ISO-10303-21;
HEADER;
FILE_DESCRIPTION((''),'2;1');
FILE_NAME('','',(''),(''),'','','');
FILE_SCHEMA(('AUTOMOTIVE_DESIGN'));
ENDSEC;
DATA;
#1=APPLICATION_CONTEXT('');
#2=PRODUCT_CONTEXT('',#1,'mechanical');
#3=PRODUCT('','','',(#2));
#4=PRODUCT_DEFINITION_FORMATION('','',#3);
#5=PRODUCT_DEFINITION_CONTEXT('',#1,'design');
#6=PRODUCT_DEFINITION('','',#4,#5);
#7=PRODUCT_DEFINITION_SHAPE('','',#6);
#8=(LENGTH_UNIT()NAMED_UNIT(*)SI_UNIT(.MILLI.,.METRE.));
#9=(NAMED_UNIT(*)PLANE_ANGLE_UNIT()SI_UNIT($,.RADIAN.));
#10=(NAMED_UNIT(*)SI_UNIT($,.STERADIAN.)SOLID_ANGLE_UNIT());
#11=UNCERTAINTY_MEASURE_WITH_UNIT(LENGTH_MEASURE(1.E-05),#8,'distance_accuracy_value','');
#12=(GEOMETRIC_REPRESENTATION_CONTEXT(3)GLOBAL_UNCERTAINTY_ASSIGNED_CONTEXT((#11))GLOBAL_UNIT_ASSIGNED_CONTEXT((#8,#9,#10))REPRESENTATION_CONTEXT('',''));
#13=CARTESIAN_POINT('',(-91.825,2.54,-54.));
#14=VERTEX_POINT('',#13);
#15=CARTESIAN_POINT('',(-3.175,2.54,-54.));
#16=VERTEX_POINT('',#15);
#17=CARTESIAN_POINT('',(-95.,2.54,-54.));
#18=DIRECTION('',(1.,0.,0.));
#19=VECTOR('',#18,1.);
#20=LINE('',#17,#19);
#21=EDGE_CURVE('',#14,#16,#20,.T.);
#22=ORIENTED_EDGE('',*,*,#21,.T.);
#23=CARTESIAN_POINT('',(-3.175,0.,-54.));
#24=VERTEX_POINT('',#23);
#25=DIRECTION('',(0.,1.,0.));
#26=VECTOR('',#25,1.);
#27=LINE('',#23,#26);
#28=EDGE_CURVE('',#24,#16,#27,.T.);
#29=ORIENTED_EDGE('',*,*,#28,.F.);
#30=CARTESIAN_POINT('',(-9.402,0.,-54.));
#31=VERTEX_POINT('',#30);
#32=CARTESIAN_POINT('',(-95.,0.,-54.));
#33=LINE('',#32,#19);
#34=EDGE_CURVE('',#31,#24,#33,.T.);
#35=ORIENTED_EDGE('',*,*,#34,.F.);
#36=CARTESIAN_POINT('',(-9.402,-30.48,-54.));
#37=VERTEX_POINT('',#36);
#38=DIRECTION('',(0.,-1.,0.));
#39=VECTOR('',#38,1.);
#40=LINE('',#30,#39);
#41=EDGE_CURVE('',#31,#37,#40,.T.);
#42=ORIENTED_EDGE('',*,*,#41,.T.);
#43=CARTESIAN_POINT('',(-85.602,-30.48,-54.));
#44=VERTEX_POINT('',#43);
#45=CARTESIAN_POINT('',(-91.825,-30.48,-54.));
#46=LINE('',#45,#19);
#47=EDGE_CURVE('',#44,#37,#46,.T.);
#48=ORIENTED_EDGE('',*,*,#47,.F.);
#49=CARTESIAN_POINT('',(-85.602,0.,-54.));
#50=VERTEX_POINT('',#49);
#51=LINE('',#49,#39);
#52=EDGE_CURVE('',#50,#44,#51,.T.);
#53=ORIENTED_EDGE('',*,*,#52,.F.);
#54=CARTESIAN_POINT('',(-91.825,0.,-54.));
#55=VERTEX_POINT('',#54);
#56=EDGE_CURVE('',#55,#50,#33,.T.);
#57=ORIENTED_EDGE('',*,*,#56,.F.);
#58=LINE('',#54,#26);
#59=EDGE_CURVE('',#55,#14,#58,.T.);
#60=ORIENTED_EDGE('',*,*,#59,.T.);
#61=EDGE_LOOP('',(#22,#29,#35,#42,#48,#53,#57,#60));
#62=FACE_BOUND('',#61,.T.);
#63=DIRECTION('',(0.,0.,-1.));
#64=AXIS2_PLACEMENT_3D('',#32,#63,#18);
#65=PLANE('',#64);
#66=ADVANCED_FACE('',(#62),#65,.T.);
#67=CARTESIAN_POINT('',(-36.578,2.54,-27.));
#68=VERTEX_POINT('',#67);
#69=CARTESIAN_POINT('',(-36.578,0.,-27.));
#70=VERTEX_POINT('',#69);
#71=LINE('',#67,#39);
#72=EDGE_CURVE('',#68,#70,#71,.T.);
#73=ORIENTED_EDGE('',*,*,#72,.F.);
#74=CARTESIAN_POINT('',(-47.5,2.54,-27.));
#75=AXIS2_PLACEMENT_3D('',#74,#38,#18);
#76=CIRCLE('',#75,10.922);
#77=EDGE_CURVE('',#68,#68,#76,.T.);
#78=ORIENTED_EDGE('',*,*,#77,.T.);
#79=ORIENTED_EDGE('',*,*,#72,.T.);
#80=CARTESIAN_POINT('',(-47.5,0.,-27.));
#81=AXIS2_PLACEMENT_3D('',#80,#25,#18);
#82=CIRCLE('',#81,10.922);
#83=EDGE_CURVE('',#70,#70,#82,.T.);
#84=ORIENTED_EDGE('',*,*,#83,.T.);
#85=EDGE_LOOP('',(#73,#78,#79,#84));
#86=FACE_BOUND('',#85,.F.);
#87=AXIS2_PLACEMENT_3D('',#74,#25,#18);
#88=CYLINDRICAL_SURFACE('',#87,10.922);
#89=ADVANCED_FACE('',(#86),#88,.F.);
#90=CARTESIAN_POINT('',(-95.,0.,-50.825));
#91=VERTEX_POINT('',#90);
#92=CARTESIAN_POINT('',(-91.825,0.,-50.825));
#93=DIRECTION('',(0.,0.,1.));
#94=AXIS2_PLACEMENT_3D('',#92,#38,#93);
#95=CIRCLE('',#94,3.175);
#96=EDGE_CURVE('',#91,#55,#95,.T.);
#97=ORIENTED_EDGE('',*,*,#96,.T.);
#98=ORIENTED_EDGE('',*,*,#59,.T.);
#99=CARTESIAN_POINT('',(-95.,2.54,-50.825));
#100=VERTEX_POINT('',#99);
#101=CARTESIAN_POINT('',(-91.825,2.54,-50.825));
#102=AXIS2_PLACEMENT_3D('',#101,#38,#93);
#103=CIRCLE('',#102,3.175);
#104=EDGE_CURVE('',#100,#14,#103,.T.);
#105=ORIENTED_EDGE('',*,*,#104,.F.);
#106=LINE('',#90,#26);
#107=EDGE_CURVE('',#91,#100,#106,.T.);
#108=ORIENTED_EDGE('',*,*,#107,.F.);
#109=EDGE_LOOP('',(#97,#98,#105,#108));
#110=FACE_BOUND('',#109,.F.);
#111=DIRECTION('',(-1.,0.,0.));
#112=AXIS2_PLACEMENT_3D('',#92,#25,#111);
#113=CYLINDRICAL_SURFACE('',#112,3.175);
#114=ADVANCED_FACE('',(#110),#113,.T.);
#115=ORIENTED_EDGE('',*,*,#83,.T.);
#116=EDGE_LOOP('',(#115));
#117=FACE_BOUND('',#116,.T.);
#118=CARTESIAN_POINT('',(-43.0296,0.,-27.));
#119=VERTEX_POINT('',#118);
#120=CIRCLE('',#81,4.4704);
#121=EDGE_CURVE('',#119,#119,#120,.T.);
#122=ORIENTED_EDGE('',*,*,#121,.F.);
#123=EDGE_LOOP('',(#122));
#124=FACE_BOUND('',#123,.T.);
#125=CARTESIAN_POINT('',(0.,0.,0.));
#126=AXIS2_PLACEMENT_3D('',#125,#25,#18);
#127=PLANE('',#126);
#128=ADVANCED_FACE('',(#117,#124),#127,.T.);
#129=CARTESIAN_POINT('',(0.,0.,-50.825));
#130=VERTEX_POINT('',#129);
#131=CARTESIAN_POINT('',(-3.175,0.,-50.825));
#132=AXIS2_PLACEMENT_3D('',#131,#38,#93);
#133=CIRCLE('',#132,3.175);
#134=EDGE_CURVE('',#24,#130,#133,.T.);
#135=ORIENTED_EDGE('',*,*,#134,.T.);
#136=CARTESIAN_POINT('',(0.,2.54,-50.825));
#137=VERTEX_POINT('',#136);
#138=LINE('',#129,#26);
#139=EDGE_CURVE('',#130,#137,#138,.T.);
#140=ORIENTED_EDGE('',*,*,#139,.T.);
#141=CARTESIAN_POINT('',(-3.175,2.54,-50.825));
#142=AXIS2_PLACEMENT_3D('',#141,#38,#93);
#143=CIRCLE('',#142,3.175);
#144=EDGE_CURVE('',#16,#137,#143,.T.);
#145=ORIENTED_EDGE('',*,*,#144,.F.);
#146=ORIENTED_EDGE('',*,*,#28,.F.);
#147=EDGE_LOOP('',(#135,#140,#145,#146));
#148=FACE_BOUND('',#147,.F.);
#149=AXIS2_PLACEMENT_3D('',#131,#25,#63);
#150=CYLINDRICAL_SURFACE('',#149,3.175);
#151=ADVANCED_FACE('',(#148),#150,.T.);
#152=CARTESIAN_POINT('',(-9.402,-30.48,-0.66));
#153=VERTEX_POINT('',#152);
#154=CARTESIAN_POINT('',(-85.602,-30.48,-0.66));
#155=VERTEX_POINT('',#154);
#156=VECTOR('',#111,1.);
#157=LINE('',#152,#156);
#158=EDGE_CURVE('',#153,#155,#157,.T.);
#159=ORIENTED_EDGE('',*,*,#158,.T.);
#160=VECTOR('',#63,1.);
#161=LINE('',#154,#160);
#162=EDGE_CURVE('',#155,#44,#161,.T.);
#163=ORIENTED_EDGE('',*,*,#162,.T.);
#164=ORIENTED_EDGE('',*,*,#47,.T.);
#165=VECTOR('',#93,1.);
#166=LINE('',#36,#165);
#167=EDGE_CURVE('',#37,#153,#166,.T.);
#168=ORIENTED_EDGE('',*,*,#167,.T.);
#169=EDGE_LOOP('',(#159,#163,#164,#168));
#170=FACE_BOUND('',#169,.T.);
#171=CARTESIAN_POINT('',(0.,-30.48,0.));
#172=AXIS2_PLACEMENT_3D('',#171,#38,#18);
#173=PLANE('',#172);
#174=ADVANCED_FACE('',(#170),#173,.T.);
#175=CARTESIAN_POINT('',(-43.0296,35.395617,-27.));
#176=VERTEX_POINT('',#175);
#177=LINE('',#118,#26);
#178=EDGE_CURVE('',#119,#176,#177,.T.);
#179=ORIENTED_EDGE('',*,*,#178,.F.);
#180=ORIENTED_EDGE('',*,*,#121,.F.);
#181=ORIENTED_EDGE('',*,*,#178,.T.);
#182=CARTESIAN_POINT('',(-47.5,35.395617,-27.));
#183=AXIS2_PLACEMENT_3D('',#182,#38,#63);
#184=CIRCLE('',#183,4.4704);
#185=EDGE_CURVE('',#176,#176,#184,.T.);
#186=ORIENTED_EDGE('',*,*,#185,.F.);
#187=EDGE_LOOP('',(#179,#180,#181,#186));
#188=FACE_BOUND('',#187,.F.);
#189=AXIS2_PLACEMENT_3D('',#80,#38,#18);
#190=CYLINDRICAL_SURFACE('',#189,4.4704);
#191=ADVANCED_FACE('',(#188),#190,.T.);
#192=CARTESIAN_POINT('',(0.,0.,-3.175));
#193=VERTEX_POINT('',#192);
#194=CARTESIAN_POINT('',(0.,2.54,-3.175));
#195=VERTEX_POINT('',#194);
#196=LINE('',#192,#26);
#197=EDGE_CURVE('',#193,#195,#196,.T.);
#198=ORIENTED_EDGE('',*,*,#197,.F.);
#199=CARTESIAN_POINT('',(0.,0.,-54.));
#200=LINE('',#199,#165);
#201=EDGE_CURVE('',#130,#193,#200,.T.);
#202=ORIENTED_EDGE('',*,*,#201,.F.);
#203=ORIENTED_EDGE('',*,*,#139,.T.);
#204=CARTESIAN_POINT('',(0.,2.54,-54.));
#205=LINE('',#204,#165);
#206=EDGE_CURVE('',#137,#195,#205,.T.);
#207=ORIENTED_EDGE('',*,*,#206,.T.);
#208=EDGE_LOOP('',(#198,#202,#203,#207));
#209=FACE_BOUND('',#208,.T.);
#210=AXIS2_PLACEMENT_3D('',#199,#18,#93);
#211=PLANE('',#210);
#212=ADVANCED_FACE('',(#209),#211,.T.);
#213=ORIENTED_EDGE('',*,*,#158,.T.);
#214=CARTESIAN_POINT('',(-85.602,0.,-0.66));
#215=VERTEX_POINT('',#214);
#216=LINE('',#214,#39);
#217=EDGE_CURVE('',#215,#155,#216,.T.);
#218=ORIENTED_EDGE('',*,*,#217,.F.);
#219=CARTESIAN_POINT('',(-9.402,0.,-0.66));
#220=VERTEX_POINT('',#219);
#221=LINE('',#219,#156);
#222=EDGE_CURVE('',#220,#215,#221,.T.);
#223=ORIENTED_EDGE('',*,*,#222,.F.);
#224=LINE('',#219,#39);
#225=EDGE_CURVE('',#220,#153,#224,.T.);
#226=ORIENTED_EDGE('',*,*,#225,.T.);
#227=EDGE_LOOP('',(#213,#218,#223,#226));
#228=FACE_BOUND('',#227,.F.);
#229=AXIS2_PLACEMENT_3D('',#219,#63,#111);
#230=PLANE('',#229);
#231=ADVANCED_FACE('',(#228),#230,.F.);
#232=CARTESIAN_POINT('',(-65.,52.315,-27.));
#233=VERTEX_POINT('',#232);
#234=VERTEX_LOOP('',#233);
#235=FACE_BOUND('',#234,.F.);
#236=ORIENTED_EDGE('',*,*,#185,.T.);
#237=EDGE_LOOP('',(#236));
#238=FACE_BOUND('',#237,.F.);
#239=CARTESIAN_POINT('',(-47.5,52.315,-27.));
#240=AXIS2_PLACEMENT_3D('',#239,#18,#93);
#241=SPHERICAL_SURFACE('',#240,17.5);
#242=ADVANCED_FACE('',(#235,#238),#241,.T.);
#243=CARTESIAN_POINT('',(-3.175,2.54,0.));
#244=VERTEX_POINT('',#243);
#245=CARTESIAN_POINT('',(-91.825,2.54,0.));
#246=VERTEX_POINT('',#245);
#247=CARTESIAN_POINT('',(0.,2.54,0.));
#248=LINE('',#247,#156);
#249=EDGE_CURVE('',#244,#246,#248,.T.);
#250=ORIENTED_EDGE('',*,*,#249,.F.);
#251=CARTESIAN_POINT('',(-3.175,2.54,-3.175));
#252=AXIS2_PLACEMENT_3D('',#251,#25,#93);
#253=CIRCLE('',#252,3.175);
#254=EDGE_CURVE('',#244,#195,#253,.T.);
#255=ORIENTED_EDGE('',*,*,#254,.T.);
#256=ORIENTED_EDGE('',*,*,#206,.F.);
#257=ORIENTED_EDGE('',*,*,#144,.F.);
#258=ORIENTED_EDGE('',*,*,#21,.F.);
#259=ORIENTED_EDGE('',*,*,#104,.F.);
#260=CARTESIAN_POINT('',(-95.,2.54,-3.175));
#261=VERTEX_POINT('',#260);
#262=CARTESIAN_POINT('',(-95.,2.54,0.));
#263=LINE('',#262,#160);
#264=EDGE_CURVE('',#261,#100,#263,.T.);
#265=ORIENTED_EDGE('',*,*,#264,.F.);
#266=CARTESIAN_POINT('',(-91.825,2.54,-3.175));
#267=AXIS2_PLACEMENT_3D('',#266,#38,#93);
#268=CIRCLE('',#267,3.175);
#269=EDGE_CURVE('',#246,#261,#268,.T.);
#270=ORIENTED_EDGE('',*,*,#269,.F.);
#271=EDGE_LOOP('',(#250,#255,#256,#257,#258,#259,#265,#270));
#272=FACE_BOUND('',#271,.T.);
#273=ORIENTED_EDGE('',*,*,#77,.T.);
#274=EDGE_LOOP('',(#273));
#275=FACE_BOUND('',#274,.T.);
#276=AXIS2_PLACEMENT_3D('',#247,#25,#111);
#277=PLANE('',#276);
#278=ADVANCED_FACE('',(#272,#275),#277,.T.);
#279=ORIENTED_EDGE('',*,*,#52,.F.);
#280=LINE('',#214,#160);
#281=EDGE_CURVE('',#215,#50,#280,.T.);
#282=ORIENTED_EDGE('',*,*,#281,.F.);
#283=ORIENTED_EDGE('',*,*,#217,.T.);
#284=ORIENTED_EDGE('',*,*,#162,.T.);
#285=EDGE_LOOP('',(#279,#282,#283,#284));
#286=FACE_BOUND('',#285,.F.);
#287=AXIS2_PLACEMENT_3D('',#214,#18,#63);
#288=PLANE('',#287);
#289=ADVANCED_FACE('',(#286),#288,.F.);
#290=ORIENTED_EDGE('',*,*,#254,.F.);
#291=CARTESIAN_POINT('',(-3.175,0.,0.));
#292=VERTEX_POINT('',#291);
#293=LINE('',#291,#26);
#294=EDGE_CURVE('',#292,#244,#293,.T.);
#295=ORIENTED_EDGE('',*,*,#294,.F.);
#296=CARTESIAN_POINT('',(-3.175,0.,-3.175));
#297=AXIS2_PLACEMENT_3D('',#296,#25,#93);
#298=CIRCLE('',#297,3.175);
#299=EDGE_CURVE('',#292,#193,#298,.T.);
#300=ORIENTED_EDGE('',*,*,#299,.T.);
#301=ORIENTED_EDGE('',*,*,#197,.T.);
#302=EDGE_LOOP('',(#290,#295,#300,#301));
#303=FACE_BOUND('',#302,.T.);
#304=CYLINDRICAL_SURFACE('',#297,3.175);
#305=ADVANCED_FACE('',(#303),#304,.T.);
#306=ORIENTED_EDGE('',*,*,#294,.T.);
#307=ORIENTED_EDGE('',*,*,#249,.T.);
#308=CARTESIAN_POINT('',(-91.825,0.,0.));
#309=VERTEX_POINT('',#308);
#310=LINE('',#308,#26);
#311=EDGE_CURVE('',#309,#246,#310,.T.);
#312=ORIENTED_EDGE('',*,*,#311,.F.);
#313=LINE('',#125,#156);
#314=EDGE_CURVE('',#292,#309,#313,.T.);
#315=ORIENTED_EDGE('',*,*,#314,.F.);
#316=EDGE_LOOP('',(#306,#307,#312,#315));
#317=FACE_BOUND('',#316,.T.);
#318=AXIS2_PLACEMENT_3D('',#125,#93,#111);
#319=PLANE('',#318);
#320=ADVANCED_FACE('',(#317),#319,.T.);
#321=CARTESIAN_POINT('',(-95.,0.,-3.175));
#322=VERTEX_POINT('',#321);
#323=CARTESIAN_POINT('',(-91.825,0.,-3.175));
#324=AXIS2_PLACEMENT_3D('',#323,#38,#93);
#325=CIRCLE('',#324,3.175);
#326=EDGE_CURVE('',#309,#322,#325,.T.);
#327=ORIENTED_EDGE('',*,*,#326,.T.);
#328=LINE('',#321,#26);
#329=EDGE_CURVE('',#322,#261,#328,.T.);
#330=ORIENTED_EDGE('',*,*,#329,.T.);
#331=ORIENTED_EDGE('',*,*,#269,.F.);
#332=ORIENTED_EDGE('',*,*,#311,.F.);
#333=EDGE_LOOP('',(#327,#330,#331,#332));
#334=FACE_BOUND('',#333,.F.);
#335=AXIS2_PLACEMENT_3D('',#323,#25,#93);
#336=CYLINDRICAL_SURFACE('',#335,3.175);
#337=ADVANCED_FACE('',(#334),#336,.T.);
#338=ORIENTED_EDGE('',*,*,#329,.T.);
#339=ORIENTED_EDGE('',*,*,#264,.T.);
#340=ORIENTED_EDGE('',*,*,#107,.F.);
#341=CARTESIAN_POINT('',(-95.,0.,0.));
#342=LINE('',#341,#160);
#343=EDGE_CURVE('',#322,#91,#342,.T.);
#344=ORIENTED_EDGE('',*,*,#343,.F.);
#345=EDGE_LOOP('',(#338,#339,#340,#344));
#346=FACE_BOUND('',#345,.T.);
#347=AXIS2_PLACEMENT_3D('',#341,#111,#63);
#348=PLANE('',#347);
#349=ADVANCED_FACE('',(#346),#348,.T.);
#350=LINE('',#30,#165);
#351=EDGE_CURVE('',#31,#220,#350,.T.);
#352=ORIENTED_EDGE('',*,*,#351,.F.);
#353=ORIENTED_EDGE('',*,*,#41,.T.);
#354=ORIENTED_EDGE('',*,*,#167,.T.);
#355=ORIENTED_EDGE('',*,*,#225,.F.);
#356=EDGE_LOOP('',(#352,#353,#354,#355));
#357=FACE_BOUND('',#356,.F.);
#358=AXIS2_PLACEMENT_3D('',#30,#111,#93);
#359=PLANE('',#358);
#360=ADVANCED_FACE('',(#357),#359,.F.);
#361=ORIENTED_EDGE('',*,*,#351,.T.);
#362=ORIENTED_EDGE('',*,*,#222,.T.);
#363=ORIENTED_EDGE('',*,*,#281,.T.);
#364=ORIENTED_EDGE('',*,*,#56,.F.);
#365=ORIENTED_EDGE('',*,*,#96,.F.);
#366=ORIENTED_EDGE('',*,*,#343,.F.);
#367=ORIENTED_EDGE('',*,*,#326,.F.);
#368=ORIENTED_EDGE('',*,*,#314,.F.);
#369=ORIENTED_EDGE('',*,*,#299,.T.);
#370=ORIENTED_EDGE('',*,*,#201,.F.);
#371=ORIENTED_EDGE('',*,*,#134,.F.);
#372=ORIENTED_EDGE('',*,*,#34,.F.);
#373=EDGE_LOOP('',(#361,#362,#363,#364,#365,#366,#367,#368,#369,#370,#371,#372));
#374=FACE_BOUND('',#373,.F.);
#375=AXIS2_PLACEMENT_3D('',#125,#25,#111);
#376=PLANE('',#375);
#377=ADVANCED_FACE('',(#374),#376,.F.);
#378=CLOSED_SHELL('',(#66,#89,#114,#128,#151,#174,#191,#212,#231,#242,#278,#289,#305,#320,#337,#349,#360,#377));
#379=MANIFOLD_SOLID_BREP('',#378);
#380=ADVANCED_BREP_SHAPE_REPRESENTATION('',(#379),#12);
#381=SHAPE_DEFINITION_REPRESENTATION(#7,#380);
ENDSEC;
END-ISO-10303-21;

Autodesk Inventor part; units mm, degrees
ref_plane "YZ Plane" through (0, 0, 0) normal (1, 0, 0) x (0, 1, 0)
ref_plane "XZ Plane" through (0, 0, 0) normal (0, 1, 0) x (-1, 0, 0)
ref_plane "XY Plane" through (0, 0, 0) normal (0, 0, 1) x (1, 0, 0)
sketch "Sketch1" plane through (0, 0, 0) normal (0, 1, 0) x (-1, 0, 0)
  line L0 (0, 0) -> (95, 0)
  line L1 (95, 0) -> (95, -54)
  line L2 (95, -54) -> (0, -54)
  line L3 (0, -54) -> (0, 0)
  dimension "d0" = 95
  dimension "d1" = 54
extrude "Extrusion1" add sketch "Sketch1" along normal blind 2.54
fillet "Fillet1" radius 3.175 4 edges at (0, 1.27, 0) (-95, 1.27, 0) (0, 1.27, -54) (-95, 1.27, -54)
sketch "Sketch2" plane through (0, 0, 0) normal (0, -1, 0) x (1, 0, 0)
  arc A0 (-95, -50.825) -> (-91.825, -54) centre (-91.825, -50.825) ccw projected
  line L0 (-91.825, -54) -> (-3.175, -54) projected
  arc A1 (-3.175, -54) -> (0, -50.825) centre (-3.175, -50.825) ccw projected
  line L1 (0, -50.825) -> (0, -3.175) projected
  arc A2 (0, -3.175) -> (-3.175, 0) centre (-3.175, -3.175) ccw projected
  line L2 (-3.175, 0) -> (-91.825, 0) projected
  arc A3 (-91.825, 0) -> (-95, -3.175) centre (-91.825, -3.175) ccw projected
  line L3 (-95, -3.175) -> (-95, -50.825) projected
  line L4 (-85.602, -54) -> (-9.402, -54)
  line L5 (-9.402, -54) -> (-9.402, -0.66)
  line L6 (-9.402, -0.66) -> (-85.602, -0.66)
  line L7 (-85.602, -0.66) -> (-85.602, -54)
  point P0 (0, 0)
  dimension "d5" = 76.2
  dimension "d6" = 53.34
  dimension "d7" = 0
  dimension "d8" = 9.398
extrude "Extrusion2" add sketch "Sketch2" along normal blind 30.48 contours L7 L6 L5 L0
sketch "Sketch3" plane through (0, 2.54, 0) normal (0, 1, 0) x (1, 0, 0)
  arc A0 (-91.825, 54) -> (-95, 50.825) centre (-91.825, 50.825) ccw projected
  arc A1 (-91.825, 54) -> (-95, 50.825) centre (-91.825, 50.825) ccw projected
  line L0 (-95, 50.825) -> (-95, 3.175) projected
  arc A2 (-95, 3.175) -> (-91.825, 0) centre (-91.825, 3.175) ccw projected
  line L1 (-91.825, 0) -> (-3.175, 0) projected
  arc A3 (-3.175, 0) -> (0, 3.175) centre (-3.175, 3.175) ccw projected
  line L2 (0, 3.175) -> (0, 50.825) projected
  arc A4 (0, 50.825) -> (-3.175, 54) centre (-3.175, 50.825) ccw projected
  line L3 (-3.175, 54) -> (-91.825, 54) projected
  line L4 (-3.175, 3.175) -> (-91.825, 50.825)
  circle A5 centre (-47.5, 27) radius 10.922
  point P0 (0, 0)
  dimension "d11" = 21.844
extrude "Extrusion3" cut sketch "Sketch3" against normal blind 2.54 contours A5 L4 | L4 A5
sketch "Sketch4" plane through (-47.5, 0, -27) normal (0, 1, 0) x (1, 0, 0)
  circle A0 centre (0, 0) radius 4.4704
  point P0 (47.5, -27)
  dimension "d14" = 8.9408
extrude "Extrusion4" add sketch "Sketch4" along normal blind 43.815
ref_plane "Work Plane1" through (-47.5, 52.315, -27) normal (0, 1, 0) x (1, 0, 0)
sketch "Sketch5" plane through (-47.5, 52.315, -27) normal (0, 1, 0) x (1, 0, 0)
  arc A0 (-17.5, 0) -> (17.5, 0) centre (0, 0) ccw
  line L0 (17.5, 0) -> (-17.5, 0)
  point P0 (47.5, -27)
  dimension "d18" = 35
revolve "Revolution1" add sketch "Sketch5" angle 360 about axis through (-30, 52.315, -27) along (-1, 0, 0)
properties part number "Joy_Stick"
